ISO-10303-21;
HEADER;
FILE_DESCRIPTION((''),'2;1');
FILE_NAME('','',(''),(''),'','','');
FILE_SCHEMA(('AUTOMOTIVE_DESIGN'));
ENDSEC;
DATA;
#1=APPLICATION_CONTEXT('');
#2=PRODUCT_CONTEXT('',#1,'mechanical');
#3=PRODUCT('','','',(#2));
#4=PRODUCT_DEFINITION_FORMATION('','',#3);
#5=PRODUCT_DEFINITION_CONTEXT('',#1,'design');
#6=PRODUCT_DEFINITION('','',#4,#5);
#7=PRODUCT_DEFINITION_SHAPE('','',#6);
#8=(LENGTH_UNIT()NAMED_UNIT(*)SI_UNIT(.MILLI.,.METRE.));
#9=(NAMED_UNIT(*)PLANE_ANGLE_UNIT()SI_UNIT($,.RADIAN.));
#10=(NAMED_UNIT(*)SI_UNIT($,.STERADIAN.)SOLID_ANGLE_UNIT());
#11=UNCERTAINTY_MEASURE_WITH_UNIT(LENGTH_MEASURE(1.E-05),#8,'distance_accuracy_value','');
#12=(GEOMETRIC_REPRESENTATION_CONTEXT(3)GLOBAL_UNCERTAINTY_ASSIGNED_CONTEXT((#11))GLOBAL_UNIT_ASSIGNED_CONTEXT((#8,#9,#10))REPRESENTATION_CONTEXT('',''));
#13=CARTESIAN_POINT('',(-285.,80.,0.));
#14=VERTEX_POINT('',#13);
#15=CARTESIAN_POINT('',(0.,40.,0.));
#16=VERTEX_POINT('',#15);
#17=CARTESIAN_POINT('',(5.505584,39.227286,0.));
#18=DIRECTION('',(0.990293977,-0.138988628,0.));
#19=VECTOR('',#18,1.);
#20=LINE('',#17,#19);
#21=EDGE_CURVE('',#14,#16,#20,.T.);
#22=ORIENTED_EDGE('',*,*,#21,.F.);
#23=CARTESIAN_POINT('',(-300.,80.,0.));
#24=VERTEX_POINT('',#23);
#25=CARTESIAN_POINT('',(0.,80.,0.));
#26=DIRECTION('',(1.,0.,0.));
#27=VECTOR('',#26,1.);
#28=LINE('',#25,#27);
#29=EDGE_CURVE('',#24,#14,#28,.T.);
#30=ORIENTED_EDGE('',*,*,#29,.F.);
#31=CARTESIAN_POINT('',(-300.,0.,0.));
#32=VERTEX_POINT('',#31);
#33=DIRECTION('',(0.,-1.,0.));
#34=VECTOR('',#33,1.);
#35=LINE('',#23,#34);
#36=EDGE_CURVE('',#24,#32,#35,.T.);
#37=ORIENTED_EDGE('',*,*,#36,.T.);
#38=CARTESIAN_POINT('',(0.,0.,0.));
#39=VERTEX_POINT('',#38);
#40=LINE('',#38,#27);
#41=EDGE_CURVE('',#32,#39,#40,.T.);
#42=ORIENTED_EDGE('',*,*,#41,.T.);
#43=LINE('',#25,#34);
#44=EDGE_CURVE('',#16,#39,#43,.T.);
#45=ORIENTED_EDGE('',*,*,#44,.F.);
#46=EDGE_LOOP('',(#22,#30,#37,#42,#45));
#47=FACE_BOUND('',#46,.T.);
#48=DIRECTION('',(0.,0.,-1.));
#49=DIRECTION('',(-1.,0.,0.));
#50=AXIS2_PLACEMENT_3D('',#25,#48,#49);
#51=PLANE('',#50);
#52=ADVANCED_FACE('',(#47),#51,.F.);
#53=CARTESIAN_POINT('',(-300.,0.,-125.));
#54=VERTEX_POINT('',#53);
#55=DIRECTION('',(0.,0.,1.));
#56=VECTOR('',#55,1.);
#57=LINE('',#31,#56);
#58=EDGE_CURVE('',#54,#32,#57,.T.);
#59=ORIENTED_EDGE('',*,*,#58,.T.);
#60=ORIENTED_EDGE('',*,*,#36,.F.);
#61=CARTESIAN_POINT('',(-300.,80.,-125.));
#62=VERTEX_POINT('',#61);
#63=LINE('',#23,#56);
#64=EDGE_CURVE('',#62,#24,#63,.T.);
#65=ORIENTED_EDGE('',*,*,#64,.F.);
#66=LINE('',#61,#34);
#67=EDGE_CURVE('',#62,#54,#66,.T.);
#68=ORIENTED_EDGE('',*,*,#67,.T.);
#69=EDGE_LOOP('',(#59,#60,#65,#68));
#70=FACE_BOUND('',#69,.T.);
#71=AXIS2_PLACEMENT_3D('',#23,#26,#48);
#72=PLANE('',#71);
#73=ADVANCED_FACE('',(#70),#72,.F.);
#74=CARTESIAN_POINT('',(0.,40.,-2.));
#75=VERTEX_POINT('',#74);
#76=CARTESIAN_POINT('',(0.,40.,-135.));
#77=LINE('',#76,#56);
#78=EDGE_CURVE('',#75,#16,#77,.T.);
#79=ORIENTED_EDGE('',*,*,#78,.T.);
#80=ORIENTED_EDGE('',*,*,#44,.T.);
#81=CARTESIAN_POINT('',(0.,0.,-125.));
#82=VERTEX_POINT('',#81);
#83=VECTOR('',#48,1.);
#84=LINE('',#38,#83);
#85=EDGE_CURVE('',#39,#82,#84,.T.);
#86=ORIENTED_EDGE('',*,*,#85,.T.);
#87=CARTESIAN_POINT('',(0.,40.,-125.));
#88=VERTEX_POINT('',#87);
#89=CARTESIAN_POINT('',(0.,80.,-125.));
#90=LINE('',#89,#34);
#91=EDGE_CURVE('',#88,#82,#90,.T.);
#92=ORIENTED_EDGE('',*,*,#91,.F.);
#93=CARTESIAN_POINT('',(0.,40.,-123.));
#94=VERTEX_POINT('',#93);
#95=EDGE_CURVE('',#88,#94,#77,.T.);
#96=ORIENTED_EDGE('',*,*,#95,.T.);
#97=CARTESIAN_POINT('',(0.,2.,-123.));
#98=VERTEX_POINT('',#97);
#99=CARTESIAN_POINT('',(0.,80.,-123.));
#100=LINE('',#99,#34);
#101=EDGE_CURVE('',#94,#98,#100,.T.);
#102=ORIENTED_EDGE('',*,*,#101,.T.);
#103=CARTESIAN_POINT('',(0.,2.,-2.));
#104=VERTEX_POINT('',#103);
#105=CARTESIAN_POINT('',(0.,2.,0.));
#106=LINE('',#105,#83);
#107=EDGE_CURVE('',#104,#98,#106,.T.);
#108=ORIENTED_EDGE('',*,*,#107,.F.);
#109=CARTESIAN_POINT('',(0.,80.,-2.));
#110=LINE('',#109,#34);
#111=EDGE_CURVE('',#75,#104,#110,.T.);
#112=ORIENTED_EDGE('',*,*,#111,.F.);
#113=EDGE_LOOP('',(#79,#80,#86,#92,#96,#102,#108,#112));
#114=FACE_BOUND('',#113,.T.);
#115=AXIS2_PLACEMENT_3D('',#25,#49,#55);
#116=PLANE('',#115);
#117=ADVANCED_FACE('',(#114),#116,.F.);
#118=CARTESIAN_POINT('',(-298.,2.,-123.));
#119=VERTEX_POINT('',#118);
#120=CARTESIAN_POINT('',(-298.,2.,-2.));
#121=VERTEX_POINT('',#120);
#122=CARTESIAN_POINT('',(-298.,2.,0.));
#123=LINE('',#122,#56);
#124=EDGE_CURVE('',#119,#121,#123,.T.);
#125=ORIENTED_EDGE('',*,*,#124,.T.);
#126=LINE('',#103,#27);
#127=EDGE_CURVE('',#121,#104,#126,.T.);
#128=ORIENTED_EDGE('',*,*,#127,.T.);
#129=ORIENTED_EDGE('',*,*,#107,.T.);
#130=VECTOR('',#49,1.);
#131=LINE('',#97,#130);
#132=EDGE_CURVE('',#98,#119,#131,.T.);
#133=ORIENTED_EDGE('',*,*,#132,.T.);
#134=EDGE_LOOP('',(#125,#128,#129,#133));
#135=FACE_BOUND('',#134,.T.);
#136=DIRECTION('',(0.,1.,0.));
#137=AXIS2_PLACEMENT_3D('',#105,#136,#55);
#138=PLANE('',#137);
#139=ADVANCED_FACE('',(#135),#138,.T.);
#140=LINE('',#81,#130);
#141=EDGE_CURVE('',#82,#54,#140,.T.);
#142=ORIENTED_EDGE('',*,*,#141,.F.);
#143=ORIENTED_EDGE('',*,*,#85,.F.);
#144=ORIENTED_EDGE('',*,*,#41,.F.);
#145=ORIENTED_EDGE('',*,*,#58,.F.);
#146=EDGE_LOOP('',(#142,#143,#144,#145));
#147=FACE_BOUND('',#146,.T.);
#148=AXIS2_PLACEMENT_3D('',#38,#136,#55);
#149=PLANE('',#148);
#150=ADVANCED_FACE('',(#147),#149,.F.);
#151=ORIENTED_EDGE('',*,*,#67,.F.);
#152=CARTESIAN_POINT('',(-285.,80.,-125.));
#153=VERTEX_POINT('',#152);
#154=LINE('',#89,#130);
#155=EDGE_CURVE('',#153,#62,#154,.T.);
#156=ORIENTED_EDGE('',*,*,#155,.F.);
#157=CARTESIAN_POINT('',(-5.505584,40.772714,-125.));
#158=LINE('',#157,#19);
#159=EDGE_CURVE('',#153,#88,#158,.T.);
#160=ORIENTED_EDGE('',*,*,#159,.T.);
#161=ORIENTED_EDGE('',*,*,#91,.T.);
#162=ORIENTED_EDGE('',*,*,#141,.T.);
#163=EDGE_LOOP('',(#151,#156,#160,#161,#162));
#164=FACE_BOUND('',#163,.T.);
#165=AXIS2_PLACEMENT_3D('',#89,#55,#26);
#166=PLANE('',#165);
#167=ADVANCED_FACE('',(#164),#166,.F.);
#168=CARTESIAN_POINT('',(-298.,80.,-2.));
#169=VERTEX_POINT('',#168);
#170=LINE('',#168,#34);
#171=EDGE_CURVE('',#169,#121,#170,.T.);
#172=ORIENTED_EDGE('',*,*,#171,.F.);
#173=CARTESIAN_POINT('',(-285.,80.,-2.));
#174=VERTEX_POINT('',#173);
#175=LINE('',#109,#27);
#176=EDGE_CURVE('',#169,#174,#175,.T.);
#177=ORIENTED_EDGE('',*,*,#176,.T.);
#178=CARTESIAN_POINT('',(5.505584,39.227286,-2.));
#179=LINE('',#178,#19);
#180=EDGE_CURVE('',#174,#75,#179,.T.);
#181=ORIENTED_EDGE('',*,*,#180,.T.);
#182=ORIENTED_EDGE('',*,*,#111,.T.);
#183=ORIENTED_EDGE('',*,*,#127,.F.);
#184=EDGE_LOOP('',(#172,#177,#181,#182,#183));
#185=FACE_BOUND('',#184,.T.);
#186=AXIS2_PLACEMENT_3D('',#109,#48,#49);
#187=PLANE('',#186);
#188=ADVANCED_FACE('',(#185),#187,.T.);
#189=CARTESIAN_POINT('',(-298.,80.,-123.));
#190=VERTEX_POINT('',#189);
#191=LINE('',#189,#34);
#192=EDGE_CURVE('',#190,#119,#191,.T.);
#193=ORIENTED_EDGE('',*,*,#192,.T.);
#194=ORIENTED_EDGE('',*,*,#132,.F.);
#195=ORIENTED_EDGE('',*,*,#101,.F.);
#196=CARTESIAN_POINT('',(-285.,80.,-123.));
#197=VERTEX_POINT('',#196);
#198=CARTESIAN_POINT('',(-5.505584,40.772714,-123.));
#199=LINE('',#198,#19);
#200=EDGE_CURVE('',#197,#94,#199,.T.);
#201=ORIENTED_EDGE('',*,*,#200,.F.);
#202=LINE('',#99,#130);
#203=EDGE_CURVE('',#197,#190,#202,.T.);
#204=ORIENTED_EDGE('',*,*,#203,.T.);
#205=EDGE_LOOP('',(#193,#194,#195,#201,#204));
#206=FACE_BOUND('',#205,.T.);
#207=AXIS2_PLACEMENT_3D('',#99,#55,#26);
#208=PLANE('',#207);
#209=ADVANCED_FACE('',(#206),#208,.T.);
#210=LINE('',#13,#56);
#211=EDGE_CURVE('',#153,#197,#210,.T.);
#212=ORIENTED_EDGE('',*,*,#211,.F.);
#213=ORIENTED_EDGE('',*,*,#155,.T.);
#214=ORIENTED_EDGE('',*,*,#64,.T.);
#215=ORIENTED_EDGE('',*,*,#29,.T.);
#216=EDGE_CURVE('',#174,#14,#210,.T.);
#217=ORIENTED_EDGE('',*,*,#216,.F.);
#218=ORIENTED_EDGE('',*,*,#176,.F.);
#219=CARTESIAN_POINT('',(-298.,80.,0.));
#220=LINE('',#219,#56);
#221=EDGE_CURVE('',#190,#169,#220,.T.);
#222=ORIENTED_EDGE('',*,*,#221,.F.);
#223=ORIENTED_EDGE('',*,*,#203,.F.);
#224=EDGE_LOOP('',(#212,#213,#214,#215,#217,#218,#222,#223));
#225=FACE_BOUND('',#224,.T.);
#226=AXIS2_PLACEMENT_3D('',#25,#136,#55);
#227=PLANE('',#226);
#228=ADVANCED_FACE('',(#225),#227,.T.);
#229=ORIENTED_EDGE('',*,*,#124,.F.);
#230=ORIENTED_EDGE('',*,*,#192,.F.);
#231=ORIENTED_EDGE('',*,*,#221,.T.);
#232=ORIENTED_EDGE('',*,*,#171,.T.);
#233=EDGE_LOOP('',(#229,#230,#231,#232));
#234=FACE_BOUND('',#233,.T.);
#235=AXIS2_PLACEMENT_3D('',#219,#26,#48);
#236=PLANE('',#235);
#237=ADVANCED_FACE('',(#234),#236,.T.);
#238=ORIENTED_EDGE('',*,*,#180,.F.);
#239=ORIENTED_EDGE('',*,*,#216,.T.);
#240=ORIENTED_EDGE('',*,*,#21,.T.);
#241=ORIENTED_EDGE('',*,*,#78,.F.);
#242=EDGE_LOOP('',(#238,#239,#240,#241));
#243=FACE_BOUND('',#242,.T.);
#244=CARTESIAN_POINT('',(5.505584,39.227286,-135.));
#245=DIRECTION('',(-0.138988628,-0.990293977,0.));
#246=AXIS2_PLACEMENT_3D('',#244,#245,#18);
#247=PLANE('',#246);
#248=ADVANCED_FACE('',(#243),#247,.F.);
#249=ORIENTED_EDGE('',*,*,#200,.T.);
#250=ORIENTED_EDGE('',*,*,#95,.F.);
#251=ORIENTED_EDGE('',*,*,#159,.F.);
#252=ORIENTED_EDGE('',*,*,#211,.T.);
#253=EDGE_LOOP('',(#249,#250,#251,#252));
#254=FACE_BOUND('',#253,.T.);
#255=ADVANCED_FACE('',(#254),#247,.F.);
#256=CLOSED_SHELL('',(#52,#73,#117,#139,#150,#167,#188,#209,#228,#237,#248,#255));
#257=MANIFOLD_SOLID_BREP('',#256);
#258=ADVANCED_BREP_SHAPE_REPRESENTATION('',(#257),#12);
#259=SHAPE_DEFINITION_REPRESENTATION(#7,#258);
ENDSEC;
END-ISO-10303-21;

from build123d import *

# Parameters (mm, degrees)
SKETCH1_W           = 300
SKETCH1_H           = 125
BOSS_EXTRUDE2_DEPTH = 80
CUT_EXTRUDE2_DEPTH  = 135
SHELL2_T            = -2


with BuildPart() as part:
    # Sketch1 → Boss-Extrude2 (new body)
    with BuildSketch(Plane(origin=(0, 0, 0), x_dir=(1, 0, 0), z_dir=(0, 1, 0))):
        with Locations((-150, 62.5)):
            Rectangle(SKETCH1_W, SKETCH1_H)
    extrude(amount=BOSS_EXTRUDE2_DEPTH)

    # Sketch3 → Cut-Extrude2 (cut)
    with BuildSketch(Plane.XY):
        Polygon((0, 80), (-285, 80), (0, 40), align=None)
    extrude(amount=-CUT_EXTRUDE2_DEPTH, mode=Mode.SUBTRACT)

    # Shell2
    shell2_openings = [part.faces().sort_by_distance(p)[0] for p in [
        (-292.5, 80, -62.5),
        (-142.5, 60, -62.5),
        (0, 20, -62.5),
    ]]
    offset(amount=SHELL2_T, openings=shell2_openings, kind=Kind.INTERSECTION)


solid = part.part
